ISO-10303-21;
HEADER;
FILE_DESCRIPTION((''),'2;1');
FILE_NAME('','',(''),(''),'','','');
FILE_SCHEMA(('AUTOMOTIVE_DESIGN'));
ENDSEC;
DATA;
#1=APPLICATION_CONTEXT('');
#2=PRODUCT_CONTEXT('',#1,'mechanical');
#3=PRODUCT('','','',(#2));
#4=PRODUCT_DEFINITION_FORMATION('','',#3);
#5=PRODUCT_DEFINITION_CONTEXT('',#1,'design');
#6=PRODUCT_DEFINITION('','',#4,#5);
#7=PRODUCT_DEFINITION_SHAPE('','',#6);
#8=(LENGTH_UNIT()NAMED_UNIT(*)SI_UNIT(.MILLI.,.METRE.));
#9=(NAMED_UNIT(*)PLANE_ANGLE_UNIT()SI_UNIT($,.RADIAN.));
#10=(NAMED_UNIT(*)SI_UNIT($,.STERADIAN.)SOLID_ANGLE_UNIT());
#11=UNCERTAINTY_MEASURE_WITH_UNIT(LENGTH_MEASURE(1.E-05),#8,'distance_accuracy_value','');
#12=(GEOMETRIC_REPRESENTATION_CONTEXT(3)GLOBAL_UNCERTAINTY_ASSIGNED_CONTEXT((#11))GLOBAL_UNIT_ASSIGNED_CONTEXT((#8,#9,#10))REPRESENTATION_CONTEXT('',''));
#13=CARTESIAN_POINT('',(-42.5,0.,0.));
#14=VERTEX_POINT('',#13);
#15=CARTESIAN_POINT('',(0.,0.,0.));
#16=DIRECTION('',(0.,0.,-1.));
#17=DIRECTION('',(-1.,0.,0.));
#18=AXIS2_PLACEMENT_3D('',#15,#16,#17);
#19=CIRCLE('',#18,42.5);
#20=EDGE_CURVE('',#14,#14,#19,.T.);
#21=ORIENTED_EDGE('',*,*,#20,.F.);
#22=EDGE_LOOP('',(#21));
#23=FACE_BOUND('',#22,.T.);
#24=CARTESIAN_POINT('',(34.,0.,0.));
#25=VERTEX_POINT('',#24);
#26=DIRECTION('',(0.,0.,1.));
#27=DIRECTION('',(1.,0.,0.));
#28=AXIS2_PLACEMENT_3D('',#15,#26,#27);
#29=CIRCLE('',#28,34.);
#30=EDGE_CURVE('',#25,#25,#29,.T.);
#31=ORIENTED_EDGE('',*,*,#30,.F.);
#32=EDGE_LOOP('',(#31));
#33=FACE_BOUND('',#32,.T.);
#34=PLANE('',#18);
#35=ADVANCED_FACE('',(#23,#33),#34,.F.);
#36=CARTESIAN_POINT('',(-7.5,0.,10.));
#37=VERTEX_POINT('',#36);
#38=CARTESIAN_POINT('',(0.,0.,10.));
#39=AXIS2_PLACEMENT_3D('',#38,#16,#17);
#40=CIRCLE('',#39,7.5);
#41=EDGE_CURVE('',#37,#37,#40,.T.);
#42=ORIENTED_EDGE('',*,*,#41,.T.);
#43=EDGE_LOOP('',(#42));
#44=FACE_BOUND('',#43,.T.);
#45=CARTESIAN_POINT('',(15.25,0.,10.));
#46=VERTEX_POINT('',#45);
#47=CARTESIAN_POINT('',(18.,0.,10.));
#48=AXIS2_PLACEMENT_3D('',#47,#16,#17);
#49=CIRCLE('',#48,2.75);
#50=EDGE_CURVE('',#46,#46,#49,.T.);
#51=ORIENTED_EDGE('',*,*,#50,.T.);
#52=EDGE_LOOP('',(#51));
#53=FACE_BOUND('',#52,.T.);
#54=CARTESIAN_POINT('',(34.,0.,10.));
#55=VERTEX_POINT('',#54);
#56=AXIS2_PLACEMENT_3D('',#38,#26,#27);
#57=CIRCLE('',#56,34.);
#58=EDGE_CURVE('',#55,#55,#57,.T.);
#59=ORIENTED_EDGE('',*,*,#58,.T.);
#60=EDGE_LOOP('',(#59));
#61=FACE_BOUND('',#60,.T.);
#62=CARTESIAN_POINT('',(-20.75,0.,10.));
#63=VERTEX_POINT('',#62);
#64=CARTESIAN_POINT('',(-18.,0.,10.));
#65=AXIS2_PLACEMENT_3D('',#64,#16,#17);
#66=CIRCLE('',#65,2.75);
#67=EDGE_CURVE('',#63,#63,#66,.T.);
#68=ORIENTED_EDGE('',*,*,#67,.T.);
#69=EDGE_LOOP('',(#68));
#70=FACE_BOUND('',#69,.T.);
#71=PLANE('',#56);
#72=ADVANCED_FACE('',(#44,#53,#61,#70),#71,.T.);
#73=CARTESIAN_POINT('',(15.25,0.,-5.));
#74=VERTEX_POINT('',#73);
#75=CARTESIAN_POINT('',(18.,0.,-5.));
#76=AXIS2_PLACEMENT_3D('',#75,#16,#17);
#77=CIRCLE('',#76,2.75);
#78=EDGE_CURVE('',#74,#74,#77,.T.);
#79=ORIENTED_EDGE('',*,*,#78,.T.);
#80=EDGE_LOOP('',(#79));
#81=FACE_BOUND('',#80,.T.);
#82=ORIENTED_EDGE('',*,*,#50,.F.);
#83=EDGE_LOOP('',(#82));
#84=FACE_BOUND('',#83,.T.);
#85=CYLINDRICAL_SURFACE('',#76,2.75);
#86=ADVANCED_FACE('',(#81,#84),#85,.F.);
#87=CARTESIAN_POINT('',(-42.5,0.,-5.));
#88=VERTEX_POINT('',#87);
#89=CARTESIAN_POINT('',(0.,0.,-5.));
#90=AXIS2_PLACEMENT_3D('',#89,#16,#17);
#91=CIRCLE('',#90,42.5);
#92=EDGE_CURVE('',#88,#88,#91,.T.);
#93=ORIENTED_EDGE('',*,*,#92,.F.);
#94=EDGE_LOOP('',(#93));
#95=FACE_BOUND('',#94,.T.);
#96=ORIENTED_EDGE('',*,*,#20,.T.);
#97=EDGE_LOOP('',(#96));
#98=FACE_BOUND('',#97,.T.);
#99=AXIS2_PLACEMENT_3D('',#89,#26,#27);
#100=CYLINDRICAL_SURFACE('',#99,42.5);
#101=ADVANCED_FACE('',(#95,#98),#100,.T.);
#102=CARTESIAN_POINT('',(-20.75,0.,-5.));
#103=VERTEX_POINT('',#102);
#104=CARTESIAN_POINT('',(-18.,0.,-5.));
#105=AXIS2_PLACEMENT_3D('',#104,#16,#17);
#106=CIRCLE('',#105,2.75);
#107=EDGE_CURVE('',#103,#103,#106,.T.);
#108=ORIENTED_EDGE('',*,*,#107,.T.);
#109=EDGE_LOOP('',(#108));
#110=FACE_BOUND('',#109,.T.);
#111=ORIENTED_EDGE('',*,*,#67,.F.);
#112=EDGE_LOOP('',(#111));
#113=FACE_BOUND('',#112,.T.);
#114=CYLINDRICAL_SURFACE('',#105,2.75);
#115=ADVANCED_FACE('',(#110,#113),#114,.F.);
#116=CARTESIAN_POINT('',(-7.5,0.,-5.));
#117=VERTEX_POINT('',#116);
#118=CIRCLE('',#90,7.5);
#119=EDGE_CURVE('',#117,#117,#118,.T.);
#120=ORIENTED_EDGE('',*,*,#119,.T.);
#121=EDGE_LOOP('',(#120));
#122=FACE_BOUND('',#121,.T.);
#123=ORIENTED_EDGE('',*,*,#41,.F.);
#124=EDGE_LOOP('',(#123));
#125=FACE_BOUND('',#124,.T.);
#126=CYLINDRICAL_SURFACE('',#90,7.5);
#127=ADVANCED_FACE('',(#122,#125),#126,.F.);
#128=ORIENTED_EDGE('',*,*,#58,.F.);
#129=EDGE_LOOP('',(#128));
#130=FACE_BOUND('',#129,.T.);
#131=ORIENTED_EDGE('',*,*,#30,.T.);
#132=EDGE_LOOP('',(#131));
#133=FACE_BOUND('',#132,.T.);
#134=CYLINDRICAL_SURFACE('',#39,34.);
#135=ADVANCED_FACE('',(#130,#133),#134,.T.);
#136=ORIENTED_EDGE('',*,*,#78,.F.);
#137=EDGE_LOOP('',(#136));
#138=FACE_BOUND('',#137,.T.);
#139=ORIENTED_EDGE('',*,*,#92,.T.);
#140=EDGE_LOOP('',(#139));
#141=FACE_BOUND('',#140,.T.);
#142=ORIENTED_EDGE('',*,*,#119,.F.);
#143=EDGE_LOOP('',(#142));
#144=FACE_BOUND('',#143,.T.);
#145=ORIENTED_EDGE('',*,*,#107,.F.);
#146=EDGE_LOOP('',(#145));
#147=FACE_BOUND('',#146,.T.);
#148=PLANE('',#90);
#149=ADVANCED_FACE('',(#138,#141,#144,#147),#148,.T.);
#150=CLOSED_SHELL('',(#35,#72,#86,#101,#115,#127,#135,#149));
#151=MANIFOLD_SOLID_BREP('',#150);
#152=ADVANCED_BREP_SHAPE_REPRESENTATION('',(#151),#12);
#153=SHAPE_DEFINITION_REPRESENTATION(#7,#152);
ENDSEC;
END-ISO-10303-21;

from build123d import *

# Parameters (mm, degrees)
SKIZZE1_R                        = 34
AUFSATZ_LINEAR_AUSTRAGEN1_DEPTH  = 10
SKIZZE3_R                        = 42.5
AUFSATZ_LINEAR_AUSTRAGEN2_DEPTH  = 5
F_15_0_15_DURCHMESSER_BOHRUNG1_D = 15
F_5_5_5_5_DURCHMESSER_BOHRUNG1_D = 5.5


with BuildPart() as part:
    # Skizze1 → Aufsatz-Linear austragen1 (new body)
    with BuildSketch(Plane.XY):
        Circle(SKIZZE1_R)
    extrude(amount=AUFSATZ_LINEAR_AUSTRAGEN1_DEPTH)

    # Skizze3 → Aufsatz-Linear austragen2 (add)
    with BuildSketch(Plane(origin=(0, 0, 0), x_dir=(-1, 0, 0), z_dir=(0, 0, -1))):
        Circle(SKIZZE3_R)
    extrude(amount=AUFSATZ_LINEAR_AUSTRAGEN2_DEPTH)

    # Ø15.0 (15) Durchmesser Bohrung1 (through all)
    with Locations(Plane(origin=(0, 0, -5), x_dir=(-1, 0, 0), z_dir=(0, 0, -1))):
        with Locations((0, 0)):
            Hole(F_15_0_15_DURCHMESSER_BOHRUNG1_D / 2)

    # Ø5.5 (5.5) Durchmesser Bohrung1 (through all)
    with Locations(Plane(origin=(0, 0, -5), x_dir=(-1, 0, 0), z_dir=(0, 0, -1))):
        with Locations((18, 0), (-18, 0)):
            Hole(F_5_5_5_5_DURCHMESSER_BOHRUNG1_D / 2)


solid = part.part
